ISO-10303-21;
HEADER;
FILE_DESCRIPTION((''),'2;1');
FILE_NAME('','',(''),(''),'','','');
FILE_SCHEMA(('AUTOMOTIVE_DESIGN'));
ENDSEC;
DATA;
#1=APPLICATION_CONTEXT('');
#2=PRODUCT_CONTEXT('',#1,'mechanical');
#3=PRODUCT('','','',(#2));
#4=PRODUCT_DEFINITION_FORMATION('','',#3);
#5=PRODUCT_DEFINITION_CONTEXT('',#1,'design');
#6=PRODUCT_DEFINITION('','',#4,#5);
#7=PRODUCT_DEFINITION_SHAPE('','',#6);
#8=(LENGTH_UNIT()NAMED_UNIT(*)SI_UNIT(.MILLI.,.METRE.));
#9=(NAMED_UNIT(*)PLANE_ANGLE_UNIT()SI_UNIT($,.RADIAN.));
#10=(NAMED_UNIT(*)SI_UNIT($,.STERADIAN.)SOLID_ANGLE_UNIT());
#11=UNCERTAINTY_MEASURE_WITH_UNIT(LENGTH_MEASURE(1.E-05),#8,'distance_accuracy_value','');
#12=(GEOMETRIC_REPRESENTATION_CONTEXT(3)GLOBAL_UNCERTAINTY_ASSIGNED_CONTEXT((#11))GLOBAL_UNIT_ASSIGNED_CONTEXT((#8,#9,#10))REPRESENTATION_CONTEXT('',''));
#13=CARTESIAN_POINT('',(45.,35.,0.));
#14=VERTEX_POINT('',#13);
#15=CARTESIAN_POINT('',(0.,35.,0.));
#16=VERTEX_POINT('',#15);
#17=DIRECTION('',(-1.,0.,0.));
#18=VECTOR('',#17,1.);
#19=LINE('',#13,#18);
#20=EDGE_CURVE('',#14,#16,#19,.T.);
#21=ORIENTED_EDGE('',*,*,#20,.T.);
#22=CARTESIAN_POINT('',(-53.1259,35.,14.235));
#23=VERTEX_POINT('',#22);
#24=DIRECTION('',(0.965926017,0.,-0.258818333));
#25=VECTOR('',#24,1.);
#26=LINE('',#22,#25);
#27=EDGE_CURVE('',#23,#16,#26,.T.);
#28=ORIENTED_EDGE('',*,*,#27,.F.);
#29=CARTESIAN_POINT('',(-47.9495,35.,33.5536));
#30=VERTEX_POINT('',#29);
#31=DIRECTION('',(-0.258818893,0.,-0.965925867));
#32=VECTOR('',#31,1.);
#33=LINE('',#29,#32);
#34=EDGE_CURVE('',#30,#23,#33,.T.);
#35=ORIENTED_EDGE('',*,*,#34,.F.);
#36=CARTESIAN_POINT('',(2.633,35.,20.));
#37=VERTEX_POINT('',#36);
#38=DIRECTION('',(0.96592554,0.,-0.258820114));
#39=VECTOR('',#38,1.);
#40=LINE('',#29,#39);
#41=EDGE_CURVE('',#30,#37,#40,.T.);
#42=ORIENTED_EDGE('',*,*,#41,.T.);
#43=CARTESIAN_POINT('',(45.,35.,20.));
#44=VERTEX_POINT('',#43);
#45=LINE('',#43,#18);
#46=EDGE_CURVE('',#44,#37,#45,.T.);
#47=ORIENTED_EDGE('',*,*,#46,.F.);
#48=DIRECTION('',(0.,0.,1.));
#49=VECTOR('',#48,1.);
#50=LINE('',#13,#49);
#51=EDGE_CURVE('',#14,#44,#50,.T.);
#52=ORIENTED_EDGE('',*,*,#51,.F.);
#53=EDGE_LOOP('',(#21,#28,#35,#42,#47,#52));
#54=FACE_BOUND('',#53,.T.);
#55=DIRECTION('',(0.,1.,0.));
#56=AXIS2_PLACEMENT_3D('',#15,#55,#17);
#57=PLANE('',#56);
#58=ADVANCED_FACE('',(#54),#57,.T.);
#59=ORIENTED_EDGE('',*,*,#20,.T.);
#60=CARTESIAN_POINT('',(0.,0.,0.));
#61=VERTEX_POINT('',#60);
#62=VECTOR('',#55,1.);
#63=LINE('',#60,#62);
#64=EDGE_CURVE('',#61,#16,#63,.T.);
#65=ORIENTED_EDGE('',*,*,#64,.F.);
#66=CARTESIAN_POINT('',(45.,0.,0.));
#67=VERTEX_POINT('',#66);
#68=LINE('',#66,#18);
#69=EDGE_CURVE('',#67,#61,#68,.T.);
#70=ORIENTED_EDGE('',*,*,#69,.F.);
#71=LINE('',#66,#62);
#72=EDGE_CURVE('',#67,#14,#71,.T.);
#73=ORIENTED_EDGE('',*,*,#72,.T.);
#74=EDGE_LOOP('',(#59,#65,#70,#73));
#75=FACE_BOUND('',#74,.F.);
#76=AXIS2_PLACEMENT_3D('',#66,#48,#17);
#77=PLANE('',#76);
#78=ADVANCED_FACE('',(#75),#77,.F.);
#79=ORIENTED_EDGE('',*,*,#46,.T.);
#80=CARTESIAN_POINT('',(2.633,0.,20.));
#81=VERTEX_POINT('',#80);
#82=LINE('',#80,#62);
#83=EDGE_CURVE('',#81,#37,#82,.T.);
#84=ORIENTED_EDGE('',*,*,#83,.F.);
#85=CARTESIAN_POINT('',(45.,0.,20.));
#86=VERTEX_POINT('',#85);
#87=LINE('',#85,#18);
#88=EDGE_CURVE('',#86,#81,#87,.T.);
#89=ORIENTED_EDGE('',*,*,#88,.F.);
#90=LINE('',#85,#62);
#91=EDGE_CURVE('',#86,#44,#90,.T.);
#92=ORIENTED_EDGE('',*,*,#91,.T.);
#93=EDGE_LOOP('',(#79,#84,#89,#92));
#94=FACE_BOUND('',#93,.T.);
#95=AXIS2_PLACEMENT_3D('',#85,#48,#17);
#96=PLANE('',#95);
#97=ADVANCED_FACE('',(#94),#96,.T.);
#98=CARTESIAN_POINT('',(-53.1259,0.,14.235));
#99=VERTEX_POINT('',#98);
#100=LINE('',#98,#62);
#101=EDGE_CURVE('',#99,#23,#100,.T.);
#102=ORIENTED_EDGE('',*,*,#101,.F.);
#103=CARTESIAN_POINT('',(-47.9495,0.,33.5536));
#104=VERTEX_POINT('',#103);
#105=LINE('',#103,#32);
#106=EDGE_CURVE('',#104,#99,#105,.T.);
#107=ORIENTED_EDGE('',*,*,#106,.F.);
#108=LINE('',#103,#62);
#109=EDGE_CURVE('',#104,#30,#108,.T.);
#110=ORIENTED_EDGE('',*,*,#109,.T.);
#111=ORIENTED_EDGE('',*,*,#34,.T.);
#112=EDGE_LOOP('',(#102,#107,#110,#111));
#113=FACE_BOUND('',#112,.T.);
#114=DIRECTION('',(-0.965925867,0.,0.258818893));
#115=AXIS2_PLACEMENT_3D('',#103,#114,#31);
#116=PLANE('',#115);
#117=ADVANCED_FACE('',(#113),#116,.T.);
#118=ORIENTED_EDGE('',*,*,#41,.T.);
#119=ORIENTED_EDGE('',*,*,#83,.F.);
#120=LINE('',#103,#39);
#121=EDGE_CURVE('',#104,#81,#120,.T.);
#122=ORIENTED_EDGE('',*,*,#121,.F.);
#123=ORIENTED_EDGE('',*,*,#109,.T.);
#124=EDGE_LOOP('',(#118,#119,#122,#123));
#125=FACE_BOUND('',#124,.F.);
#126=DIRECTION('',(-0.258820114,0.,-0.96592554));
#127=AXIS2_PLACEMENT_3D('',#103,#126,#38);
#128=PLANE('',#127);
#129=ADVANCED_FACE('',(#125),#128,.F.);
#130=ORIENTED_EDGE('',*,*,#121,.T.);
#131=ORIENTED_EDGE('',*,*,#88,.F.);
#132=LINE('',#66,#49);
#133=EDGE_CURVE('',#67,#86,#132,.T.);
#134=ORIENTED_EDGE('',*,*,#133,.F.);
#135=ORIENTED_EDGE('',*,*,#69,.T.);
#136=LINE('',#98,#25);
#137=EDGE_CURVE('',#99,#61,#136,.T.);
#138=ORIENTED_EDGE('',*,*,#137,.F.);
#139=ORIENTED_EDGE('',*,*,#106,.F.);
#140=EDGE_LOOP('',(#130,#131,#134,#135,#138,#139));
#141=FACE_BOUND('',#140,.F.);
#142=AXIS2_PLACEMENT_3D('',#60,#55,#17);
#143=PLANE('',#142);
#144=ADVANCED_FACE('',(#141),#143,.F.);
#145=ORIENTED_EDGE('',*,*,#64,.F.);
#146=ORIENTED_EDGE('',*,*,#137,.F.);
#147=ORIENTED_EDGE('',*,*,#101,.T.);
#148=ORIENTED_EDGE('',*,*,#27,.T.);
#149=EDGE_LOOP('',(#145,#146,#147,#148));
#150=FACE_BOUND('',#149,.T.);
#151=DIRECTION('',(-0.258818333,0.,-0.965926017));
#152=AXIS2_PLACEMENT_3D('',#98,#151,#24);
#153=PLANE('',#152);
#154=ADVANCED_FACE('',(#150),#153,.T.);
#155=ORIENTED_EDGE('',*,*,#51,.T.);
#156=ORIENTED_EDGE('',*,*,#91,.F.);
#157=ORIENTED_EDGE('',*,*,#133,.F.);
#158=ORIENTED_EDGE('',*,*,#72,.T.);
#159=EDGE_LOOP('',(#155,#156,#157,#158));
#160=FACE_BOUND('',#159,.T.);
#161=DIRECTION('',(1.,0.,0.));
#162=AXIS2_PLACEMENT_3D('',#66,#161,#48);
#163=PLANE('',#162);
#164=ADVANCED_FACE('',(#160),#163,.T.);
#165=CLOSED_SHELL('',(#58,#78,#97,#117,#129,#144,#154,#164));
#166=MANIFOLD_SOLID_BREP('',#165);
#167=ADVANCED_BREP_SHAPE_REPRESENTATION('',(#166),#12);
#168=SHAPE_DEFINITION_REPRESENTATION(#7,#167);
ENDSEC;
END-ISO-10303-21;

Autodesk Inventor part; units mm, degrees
ref_plane "YZ Plane" through (0, 0, 0) normal (1, 0, 0) x (0, 1, 0)
ref_plane "XZ Plane" through (0, 0, 0) normal (0, 1, 0) x (-1, 0, 0)
ref_plane "XY Plane" through (0, 0, 0) normal (0, 0, 1) x (1, 0, 0)
sketch "Esquisse1" plane through (0, 0, 0) normal (0, 1, 0) x (-1, 0, 0)
  line L0 (53.1259, 14.235) -> (0, 0)
  line L1 (47.9495, 33.5536) -> (53.1259, 14.235)
  line L2 (-45, 0) -> (-45, 20)
  line L3 (-45, 0) -> (0, 0)
  line L4 (-45, 20) -> (-2.633, 20)
  line L5 (47.9495, 33.5536) -> (-2.633, 20)
  dimension "d1" = 20
  dimension "d4" = 20
  dimension "d7" = 45
  dimension "d9" = 55
  dimension "d11" = 15
extrude "Extrusion1" add sketch "Esquisse1" along normal blind 35
equation "\"d1\" = d4"
properties part number "Equerre_droit"
